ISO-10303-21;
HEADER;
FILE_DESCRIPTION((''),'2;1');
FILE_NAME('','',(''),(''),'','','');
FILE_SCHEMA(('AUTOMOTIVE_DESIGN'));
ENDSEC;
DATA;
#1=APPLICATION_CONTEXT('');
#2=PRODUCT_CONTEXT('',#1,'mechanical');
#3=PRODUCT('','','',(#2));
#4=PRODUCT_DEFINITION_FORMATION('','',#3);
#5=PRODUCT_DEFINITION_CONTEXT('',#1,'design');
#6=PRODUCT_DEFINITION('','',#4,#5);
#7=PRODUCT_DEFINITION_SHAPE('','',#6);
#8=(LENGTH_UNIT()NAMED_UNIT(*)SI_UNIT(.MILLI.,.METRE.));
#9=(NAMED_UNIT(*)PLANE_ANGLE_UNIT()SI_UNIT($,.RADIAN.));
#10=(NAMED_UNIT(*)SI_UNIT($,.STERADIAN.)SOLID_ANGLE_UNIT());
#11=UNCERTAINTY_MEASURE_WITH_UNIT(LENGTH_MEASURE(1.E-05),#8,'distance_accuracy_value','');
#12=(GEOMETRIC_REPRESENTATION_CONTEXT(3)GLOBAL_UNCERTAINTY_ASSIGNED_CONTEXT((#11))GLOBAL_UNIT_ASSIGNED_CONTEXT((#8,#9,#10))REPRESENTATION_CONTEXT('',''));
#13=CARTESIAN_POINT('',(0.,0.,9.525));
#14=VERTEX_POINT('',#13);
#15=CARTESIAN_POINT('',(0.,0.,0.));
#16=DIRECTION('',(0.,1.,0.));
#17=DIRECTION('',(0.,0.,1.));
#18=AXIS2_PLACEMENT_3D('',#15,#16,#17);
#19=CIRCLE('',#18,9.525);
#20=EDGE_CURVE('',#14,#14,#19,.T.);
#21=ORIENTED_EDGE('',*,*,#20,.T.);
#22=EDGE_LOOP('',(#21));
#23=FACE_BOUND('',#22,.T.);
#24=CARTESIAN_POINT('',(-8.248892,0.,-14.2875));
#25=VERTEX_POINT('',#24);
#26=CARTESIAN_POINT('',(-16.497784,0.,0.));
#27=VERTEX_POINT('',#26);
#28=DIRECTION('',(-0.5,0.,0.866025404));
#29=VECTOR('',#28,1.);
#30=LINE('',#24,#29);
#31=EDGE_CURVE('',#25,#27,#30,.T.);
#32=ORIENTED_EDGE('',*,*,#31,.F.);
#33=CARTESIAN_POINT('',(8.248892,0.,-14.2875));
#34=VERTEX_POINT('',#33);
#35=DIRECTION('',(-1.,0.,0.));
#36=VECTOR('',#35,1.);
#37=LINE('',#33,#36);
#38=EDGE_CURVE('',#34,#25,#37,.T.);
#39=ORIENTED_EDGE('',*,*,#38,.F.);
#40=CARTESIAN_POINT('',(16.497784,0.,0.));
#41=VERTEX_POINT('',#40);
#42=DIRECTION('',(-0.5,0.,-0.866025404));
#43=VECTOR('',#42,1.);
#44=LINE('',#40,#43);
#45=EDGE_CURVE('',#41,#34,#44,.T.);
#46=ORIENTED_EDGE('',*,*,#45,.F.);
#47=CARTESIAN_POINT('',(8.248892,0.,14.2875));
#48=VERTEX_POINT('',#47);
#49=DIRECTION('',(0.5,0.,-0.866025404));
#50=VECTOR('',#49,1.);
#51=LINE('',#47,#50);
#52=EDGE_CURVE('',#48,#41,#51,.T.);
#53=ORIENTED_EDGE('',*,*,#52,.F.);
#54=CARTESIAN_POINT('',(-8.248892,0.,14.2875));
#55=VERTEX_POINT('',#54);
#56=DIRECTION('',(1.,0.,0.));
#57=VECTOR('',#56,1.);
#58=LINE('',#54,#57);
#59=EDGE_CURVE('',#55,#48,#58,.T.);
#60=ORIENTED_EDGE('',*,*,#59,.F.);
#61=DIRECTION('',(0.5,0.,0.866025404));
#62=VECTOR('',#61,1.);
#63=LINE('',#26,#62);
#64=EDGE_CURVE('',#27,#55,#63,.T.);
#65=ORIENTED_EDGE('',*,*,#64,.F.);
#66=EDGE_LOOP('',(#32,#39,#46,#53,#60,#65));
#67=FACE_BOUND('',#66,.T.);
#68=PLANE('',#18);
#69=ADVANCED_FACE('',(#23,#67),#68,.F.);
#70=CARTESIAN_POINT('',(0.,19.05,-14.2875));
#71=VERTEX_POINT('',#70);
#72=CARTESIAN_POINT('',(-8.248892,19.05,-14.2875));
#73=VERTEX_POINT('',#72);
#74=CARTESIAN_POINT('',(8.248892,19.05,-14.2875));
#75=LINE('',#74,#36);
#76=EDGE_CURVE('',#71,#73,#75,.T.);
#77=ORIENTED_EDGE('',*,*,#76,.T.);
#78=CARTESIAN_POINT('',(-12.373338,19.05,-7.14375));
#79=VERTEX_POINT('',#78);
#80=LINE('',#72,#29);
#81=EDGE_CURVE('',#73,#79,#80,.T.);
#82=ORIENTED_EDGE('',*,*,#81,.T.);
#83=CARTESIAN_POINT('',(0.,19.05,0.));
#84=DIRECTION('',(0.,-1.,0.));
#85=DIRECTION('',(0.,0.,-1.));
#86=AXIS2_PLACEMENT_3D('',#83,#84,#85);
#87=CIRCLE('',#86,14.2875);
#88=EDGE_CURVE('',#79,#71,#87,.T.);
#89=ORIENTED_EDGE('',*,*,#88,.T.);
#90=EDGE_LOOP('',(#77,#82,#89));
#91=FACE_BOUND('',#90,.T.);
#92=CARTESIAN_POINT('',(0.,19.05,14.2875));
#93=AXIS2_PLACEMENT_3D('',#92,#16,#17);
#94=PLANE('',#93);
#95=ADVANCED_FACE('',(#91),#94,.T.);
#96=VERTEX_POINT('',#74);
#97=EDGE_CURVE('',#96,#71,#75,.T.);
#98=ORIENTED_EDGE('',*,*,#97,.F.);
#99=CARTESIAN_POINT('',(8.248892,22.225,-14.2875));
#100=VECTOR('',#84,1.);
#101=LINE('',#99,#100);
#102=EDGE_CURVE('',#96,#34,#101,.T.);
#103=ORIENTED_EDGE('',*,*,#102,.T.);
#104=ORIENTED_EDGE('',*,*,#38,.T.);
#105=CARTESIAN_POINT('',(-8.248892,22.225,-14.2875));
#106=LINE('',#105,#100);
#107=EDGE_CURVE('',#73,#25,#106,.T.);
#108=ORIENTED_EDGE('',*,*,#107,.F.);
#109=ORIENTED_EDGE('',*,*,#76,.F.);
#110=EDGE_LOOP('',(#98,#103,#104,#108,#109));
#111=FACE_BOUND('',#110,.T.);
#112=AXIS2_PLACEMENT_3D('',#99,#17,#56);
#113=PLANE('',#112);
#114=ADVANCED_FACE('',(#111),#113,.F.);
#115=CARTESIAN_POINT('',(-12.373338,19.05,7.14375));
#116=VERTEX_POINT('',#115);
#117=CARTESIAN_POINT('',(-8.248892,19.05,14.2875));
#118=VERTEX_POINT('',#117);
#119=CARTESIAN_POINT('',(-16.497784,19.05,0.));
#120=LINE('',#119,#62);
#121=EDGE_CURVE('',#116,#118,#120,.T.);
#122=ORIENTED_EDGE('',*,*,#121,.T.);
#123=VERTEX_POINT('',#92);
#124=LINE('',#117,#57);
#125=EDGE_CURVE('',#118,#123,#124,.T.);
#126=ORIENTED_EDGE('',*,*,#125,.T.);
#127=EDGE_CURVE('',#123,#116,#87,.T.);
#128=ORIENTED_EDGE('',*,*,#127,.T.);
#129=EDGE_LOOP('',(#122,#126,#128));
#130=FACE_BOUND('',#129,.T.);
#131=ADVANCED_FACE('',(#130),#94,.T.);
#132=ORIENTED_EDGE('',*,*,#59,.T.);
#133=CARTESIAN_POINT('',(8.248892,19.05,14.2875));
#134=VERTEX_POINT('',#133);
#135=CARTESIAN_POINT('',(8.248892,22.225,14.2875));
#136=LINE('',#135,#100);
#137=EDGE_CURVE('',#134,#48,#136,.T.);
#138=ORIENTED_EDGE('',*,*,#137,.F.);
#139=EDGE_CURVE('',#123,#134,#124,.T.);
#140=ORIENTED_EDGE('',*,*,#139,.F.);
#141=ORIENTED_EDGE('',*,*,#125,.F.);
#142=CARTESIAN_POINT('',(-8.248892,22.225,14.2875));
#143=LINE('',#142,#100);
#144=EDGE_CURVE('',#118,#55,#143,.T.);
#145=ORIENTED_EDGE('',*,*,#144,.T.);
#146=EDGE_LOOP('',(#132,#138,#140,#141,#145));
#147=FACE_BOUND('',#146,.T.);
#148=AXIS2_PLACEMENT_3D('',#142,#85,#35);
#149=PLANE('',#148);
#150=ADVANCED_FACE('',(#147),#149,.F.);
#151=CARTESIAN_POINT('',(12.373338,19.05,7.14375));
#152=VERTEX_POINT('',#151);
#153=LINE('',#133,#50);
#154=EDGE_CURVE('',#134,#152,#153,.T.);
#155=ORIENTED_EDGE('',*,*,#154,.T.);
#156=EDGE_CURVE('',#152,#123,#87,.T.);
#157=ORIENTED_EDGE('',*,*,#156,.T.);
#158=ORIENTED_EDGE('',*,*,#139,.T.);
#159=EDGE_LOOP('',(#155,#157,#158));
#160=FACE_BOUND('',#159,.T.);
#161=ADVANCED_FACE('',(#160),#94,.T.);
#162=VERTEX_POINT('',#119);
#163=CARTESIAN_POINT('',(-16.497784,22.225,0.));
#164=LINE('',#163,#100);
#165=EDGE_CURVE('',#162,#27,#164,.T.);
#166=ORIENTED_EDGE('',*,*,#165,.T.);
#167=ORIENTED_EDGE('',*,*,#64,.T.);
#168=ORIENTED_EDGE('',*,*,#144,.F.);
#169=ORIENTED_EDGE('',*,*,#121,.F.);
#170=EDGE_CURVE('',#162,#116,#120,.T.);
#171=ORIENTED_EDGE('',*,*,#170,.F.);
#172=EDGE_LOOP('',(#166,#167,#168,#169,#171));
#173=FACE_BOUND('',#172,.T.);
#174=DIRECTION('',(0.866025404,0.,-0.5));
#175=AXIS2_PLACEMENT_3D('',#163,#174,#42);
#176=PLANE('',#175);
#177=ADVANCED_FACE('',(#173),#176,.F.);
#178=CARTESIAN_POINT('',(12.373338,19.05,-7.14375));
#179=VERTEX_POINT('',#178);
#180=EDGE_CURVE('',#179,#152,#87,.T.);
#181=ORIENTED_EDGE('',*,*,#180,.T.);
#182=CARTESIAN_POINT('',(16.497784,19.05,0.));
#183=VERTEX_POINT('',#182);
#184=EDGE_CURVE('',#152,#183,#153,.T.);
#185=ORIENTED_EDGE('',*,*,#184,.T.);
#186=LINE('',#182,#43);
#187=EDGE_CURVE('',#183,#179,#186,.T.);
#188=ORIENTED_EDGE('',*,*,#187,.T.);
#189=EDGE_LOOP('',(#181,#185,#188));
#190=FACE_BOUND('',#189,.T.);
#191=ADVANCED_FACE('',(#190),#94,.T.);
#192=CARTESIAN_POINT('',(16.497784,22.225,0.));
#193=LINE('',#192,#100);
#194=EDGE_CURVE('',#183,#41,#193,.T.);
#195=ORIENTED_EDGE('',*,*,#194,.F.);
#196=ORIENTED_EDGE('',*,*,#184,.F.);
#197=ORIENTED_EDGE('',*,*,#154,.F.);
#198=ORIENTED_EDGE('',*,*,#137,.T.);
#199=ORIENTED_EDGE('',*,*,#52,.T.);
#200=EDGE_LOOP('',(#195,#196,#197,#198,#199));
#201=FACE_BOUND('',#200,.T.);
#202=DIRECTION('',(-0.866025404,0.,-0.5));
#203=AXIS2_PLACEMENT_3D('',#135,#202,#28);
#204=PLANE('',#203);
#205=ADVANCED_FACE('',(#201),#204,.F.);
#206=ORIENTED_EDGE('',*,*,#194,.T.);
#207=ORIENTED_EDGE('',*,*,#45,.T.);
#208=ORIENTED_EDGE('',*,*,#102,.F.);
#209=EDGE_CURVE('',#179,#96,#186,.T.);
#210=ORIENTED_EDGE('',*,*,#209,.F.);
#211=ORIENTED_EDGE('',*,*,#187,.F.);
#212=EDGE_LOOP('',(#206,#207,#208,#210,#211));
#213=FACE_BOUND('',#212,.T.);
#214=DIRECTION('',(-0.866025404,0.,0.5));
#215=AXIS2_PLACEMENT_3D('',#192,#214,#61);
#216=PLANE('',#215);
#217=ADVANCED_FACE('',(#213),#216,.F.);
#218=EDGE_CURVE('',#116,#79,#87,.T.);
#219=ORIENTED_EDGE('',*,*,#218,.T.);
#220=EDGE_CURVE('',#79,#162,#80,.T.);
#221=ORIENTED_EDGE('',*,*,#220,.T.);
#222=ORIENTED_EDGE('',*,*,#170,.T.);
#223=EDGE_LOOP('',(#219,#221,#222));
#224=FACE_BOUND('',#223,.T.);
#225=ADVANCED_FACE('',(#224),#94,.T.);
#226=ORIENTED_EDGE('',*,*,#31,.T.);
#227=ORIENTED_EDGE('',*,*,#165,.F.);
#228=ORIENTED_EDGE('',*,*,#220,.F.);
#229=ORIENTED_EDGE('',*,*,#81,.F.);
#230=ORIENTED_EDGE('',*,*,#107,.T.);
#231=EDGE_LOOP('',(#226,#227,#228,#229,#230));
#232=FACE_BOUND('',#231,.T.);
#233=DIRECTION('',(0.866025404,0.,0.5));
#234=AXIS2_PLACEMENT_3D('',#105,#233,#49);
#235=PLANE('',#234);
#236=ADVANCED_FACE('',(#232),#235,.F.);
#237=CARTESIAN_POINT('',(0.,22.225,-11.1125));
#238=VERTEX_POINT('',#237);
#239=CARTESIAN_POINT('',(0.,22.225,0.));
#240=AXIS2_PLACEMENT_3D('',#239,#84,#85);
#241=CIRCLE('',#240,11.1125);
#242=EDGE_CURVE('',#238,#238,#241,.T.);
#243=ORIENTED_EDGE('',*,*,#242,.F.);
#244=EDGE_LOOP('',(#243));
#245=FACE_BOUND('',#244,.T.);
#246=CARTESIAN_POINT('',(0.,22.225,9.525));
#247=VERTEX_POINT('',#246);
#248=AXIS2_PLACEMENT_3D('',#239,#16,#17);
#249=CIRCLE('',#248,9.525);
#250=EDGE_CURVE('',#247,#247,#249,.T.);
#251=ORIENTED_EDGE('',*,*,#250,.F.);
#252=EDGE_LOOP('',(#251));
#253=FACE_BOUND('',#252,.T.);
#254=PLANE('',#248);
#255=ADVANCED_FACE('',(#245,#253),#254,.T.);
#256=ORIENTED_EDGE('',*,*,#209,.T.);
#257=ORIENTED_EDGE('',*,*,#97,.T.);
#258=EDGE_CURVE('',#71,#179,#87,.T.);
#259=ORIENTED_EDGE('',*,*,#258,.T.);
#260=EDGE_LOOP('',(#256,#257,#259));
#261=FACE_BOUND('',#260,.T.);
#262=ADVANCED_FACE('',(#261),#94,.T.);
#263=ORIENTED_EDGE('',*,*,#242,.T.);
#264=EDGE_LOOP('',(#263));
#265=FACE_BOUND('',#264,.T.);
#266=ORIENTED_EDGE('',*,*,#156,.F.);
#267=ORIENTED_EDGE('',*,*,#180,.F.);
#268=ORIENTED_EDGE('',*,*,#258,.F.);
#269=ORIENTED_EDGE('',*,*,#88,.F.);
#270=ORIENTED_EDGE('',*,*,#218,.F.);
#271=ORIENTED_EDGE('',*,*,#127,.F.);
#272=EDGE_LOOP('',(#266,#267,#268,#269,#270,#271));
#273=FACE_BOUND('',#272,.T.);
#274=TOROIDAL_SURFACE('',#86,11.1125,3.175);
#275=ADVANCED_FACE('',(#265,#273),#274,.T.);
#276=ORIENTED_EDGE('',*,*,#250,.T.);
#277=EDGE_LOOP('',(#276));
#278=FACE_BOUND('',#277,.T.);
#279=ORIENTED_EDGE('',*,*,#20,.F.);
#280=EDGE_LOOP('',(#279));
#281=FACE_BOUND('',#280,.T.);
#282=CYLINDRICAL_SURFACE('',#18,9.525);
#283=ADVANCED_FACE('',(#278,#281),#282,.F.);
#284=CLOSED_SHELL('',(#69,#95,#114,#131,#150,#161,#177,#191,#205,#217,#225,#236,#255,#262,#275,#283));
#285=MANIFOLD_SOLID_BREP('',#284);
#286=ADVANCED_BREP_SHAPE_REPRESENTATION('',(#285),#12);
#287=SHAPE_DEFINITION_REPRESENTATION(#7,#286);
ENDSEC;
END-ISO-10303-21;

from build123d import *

# Parameters (mm, degrees)
BOSS_EXTRU_1_DEPTH      = 22.225
ESQUISSE2_R             = 9.525
ENL_V_MAT_EXTRU_1_DEPTH = 32.148999282


with BuildPart() as part:
    # Esquisse1 → Boss.-Extru.1 (new body)
    with BuildSketch(Plane(origin=(0, 0, 0), x_dir=(1, 0, 0), z_dir=(0, 1, 0))):
        Polygon((8.248891971, 14.2875), (-8.248891971, 14.2875), (-16.497783942, 0), (-8.248891971, -14.2875), (8.248891971, -14.2875), (16.497783942, 0), align=None)
    extrude(amount=BOSS_EXTRU_1_DEPTH)

    # Esquisse2 → Enlèv. mat.-Extru.1 (cut, through all)
    with BuildSketch(Plane(origin=(0, 22.225, 0), x_dir=(1, 0, 0), z_dir=(0, 1, 0))):
        with Locations(Location((0, 0, 0), (0, 0, 270))):
            Circle(ESQUISSE2_R)
    extrude(amount=-ENL_V_MAT_EXTRU_1_DEPTH, mode=Mode.SUBTRACT)

    # Esquisse3 → Enlèvement de matière-Révolution1 (revolve, cut)
    with BuildSketch(Plane(origin=(0, 0, 0), x_dir=(0, 0, -1), z_dir=(1, 0, 0)), mode=Mode.PRIVATE) as enl_vement_de_mati_re_r_volution1_sk:
        with BuildLine():
            Line((-14.2875, 22.225), (-12.7, 22.225))
            Line((-12.7, 22.225), (-11.1125, 22.225))
            ThreePointArc((-11.1125, 22.225), (-13.35756403, 21.29506403), (-14.2875, 19.05))
            Line((-14.2875, 19.05), (-17.4625, 19.05))
            Line((-17.4625, 19.05), (-17.4625, 22.225))
            Line((-17.4625, 22.225), (-14.2875, 22.225))
        make_face()
    revolve(enl_vement_de_mati_re_r_volution1_sk.sketch.rotate(Axis((0, 0, 0), (0, 1, 0)), 180), axis=Axis((0, 0, 0), (0, 1, 0)), mode=Mode.SUBTRACT)


solid = part.part
